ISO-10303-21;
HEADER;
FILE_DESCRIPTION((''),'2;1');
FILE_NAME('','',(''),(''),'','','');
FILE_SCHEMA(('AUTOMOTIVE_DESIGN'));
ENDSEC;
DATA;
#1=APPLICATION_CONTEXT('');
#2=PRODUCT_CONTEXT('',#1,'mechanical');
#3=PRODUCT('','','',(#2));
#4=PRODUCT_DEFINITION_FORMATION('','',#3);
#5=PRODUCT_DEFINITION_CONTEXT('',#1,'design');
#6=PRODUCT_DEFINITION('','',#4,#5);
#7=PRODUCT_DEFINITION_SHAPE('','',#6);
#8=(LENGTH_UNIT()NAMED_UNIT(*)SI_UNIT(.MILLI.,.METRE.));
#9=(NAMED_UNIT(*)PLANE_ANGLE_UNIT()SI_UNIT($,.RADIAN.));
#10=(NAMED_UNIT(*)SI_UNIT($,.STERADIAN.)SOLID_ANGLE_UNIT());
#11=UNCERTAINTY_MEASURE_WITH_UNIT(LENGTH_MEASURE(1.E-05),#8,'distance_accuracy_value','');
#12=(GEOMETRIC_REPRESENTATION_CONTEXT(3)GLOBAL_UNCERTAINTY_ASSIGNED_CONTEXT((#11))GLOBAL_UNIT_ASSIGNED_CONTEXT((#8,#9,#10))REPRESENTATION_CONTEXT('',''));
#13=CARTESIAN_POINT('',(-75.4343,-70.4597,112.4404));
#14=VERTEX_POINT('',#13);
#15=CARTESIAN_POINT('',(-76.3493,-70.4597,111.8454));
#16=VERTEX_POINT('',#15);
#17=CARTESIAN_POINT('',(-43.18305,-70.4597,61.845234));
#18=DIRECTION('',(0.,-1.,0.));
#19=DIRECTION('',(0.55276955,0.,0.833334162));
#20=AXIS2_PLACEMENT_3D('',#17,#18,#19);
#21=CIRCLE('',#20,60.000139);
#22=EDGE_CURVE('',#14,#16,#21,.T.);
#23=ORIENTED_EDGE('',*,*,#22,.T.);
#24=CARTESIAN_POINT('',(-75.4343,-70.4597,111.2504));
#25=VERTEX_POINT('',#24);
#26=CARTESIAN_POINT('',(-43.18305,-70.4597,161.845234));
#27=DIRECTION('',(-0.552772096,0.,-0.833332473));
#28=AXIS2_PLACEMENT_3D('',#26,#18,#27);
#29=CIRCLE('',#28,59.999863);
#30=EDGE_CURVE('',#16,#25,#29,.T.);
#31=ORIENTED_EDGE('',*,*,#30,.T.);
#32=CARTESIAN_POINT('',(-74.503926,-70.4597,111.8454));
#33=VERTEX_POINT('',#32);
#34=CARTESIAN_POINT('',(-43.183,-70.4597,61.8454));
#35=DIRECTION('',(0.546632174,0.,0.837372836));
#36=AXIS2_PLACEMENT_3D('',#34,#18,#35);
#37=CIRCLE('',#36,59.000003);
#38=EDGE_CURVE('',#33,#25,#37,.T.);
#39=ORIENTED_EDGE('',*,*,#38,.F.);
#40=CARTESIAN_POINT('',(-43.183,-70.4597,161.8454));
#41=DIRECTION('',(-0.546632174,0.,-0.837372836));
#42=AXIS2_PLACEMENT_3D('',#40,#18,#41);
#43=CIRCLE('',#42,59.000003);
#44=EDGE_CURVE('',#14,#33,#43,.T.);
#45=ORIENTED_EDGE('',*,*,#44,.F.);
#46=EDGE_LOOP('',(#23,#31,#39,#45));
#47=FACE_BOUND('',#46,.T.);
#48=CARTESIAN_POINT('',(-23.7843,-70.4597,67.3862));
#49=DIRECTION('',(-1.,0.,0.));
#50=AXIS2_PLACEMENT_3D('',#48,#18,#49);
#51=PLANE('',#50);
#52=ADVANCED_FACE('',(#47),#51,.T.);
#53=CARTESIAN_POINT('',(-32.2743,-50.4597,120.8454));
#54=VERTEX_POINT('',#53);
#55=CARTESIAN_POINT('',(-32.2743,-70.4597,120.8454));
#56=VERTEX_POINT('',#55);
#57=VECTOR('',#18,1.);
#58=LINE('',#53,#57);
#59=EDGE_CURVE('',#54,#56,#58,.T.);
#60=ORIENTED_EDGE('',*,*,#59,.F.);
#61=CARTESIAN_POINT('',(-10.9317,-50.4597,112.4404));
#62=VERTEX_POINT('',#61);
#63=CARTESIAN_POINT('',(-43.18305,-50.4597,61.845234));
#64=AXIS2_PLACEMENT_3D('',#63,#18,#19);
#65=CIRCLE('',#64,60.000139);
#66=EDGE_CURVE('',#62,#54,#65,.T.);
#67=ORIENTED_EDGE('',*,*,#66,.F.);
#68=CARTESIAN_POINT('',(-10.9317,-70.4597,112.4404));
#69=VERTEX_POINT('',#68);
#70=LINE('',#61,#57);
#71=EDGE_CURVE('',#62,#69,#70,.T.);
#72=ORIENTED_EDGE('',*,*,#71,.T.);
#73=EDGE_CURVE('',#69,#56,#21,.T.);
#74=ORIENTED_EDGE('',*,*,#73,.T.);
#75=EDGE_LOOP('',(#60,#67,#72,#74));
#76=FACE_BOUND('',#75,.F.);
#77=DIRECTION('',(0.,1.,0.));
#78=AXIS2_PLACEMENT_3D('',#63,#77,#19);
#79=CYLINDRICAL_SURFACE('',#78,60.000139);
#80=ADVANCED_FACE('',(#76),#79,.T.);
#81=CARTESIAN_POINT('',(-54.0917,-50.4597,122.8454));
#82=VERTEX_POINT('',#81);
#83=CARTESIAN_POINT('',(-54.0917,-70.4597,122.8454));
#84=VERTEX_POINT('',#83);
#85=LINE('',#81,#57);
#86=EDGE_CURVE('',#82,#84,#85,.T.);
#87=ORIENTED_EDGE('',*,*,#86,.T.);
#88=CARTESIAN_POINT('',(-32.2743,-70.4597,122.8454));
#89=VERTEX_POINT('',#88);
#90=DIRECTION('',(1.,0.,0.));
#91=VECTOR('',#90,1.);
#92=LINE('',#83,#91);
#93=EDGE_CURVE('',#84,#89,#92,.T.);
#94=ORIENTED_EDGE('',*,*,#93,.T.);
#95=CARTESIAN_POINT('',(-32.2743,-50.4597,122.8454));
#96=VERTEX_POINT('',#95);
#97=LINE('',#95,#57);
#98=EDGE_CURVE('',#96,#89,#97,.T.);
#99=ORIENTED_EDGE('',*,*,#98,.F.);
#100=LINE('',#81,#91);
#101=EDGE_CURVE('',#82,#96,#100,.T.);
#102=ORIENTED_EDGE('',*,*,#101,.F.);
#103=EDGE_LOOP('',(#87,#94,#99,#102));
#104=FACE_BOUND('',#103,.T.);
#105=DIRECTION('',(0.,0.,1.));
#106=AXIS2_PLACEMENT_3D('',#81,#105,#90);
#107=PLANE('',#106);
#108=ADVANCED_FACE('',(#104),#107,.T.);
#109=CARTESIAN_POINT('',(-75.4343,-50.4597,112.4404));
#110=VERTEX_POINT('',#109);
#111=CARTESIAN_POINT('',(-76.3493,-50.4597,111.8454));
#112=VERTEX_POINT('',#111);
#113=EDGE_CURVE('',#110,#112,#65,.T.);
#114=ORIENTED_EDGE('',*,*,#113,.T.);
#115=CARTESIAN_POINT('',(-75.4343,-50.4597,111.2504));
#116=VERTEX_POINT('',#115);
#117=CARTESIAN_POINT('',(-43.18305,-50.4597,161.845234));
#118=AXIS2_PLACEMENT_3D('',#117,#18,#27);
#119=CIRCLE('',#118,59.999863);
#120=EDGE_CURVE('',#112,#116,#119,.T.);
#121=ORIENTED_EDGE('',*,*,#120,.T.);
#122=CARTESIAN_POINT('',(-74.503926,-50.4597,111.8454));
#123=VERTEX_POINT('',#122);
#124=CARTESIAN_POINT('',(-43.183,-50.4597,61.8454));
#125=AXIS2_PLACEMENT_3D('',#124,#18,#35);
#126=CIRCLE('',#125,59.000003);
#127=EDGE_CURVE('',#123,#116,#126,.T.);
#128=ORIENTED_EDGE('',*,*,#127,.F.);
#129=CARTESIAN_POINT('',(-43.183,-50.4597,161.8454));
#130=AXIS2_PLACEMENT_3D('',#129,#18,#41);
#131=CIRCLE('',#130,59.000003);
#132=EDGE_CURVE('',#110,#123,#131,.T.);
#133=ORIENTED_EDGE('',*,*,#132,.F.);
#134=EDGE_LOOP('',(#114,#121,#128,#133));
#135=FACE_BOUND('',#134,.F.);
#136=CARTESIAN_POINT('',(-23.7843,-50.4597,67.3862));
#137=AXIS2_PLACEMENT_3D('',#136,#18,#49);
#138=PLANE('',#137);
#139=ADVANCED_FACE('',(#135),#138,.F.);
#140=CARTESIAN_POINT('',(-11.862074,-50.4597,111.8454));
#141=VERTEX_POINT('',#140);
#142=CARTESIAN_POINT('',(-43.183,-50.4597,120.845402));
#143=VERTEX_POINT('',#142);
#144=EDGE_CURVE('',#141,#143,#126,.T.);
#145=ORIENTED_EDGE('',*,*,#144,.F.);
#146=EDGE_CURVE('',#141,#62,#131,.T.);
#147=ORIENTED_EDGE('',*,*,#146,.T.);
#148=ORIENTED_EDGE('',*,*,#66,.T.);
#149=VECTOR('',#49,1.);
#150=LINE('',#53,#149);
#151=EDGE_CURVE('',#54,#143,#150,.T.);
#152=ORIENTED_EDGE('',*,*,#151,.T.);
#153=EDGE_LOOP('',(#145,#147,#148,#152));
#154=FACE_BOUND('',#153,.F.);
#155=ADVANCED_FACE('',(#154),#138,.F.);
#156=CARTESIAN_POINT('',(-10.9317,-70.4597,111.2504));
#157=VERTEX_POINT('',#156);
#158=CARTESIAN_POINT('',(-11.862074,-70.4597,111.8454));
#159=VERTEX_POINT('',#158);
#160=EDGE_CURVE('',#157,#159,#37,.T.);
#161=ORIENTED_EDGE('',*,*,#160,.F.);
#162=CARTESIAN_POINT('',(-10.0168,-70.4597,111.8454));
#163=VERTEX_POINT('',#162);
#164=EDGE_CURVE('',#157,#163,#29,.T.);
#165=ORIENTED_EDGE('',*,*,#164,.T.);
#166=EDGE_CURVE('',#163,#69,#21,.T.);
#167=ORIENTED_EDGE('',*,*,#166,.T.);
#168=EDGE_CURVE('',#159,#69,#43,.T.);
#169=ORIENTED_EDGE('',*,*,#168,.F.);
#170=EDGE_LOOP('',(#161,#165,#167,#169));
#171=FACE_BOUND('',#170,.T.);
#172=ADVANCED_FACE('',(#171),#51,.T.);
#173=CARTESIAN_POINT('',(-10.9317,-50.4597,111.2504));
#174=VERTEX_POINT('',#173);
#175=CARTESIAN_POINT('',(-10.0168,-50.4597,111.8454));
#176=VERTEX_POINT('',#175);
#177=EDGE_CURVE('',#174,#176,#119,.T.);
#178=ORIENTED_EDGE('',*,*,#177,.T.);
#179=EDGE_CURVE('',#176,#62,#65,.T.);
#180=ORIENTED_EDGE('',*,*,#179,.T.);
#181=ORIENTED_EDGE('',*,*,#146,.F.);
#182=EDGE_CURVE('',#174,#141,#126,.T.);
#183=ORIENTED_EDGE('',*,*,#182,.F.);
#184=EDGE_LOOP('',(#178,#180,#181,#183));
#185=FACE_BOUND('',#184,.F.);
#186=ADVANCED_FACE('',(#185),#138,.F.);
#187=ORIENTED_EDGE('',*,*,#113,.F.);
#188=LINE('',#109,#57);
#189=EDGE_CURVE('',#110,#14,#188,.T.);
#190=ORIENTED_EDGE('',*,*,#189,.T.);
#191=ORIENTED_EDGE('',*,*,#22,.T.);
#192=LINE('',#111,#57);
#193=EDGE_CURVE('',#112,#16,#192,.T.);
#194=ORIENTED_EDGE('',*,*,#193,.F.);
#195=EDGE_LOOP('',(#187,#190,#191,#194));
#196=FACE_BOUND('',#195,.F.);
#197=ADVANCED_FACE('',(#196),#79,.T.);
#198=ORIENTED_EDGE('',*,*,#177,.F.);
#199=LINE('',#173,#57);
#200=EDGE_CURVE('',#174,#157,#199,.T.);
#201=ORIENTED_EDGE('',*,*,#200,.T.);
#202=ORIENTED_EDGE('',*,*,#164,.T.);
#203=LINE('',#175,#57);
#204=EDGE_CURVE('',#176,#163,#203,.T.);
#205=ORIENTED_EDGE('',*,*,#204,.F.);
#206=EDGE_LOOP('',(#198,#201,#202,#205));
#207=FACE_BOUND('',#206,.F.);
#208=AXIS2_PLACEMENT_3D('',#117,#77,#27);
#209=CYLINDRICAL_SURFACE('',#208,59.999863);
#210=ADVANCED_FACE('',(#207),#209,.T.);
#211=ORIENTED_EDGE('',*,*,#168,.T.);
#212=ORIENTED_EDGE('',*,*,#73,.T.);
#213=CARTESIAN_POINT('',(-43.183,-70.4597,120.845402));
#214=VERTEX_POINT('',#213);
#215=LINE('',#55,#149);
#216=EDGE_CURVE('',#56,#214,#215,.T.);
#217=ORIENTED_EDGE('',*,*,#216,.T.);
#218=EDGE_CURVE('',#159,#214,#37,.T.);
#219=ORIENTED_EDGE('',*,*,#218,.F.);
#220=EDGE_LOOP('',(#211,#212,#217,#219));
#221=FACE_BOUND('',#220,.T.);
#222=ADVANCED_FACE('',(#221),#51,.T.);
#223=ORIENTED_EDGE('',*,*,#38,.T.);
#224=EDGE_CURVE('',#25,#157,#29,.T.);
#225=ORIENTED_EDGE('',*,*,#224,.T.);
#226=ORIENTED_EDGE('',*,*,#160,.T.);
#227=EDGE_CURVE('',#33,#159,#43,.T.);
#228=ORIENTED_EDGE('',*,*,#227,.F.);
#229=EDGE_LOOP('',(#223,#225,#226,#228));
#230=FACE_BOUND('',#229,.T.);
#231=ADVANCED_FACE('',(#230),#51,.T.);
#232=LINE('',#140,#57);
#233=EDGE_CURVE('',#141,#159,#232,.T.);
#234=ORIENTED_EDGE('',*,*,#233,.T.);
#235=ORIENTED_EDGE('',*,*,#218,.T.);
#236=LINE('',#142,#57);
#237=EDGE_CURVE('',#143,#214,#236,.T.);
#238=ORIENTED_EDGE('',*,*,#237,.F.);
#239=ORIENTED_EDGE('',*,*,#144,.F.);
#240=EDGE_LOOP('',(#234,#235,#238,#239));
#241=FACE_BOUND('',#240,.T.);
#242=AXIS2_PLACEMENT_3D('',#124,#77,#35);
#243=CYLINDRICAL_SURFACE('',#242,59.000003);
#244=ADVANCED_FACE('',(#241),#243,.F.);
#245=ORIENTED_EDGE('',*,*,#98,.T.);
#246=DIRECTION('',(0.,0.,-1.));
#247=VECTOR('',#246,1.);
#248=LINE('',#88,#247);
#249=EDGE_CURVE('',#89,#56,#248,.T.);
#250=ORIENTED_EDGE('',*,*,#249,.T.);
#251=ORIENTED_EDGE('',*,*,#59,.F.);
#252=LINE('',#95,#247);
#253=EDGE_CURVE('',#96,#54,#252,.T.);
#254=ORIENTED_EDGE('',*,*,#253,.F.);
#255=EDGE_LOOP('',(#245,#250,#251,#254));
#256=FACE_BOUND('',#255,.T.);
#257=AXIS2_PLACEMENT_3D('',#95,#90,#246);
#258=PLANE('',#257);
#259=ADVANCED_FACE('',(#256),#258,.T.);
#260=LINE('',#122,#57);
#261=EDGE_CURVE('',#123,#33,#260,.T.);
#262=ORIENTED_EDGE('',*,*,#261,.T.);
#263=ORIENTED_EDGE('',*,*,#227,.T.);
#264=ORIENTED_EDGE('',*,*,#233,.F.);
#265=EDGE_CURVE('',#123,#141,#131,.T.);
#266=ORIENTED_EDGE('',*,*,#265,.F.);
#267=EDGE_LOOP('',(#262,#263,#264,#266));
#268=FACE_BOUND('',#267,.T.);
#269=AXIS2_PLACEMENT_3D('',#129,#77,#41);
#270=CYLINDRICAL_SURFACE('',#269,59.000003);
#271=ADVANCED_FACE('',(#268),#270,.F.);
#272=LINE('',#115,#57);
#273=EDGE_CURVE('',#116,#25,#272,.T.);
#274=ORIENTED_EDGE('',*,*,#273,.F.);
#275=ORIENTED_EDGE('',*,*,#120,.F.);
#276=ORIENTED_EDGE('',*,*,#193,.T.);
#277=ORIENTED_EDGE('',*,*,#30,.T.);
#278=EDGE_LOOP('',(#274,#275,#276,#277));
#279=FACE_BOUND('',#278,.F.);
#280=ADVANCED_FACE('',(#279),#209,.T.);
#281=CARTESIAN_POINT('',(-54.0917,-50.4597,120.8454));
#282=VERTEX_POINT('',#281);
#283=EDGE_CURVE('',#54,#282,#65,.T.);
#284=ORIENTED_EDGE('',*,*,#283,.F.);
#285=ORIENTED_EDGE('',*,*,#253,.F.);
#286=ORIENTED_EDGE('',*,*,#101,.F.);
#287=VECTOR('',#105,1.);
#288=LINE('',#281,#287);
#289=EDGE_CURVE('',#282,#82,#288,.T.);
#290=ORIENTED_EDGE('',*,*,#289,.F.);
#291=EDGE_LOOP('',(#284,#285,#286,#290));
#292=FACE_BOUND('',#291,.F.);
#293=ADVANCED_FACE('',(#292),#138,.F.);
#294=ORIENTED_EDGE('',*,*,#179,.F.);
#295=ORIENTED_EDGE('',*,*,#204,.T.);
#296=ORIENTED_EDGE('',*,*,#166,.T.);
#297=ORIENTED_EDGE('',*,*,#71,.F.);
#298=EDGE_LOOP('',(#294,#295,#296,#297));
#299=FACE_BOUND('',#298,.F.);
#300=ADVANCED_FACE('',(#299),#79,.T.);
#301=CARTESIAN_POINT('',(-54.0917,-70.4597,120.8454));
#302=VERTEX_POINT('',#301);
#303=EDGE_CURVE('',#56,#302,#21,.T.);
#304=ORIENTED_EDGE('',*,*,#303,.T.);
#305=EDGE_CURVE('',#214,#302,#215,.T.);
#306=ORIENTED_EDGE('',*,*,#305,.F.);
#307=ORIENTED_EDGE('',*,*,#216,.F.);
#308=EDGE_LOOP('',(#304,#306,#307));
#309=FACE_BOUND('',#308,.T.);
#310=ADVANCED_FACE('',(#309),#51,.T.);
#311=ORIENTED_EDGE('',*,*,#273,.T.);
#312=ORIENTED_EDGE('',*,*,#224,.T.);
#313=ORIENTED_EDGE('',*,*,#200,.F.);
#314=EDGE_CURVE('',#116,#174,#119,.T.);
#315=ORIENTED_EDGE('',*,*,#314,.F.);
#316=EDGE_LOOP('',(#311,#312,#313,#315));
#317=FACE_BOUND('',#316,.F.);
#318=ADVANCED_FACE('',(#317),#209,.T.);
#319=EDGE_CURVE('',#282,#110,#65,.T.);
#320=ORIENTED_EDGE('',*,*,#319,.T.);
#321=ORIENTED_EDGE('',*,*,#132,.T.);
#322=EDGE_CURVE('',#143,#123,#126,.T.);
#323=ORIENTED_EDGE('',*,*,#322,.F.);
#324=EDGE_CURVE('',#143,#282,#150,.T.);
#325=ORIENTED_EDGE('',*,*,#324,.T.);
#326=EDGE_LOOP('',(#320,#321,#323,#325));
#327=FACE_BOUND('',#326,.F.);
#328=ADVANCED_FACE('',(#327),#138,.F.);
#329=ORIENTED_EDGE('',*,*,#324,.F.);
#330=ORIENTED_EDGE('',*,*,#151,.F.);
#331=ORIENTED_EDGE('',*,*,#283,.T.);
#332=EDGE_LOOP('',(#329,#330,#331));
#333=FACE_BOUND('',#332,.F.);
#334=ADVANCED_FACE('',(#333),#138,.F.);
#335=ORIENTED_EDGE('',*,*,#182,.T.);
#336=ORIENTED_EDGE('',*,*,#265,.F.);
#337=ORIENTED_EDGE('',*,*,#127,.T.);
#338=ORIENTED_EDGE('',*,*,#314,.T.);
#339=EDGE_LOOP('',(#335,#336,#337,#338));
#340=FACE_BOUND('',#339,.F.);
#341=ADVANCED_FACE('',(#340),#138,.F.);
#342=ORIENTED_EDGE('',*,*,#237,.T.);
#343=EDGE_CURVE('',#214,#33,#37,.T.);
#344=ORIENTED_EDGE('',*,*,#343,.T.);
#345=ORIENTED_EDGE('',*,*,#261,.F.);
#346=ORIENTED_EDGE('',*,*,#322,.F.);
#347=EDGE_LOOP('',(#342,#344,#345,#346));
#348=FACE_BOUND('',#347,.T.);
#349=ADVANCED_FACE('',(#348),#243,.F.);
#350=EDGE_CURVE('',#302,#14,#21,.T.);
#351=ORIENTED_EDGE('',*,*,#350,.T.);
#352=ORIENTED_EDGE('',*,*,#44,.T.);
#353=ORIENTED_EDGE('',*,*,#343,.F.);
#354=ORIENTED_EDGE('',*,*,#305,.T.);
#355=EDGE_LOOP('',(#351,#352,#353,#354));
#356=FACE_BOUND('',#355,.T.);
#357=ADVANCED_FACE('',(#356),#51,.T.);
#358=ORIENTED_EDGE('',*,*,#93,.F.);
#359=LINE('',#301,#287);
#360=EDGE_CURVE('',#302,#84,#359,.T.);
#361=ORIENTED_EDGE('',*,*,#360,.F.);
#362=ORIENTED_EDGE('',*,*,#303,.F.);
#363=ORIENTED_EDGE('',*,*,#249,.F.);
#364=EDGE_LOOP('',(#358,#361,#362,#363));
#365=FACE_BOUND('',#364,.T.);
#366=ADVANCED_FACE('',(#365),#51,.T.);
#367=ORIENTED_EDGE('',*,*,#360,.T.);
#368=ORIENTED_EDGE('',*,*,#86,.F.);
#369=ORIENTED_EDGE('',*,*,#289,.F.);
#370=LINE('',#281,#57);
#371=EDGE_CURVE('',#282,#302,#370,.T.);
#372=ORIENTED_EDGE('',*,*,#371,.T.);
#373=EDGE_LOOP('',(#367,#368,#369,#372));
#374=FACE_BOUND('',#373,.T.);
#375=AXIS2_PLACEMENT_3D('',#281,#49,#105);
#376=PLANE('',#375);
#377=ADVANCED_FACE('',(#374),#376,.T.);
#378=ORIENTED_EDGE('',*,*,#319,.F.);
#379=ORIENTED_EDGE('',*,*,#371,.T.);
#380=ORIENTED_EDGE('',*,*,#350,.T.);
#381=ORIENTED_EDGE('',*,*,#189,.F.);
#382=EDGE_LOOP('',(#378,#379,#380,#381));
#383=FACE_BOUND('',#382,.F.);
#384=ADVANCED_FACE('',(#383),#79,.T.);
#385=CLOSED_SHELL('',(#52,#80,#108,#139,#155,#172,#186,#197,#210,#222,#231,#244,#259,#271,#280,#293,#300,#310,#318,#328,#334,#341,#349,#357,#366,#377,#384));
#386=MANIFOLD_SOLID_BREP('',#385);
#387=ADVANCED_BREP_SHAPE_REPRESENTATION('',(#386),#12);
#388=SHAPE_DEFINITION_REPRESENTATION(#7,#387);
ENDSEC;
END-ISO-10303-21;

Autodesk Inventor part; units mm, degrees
ref_plane "YZ Plane" through (0, 0, 0) normal (1, 0, 0) x (0, 1, 0)
ref_plane "XZ Plane" through (0, 0, 0) normal (0, 1, 0) x (-1, 0, 0)
ref_plane "XY Plane" through (0, 0, 0) normal (0, 0, 1) x (1, 0, 0)
ref_plane "Arbeitsebene1" through (-23.7843, -50.4597, 67.3862) normal (0, -1, 0) x (-1, 0, 0)
sketch "Skizze1" plane through (-23.7843, -50.4597, 67.3862) normal (0, -1, 0) x (-1, 0, 0)
  arc A0 (-13.7675, -44.4592) -> (52.565, -44.4592) centre (19.3987, 5.5408) ccw
  arc A1 (52.565, -44.4592) -> (-13.7675, -44.4592) centre (19.3987, -94.4592) ccw
  arc A2 (-12.8526, -43.8642) -> (51.65, -43.8642) centre (19.3987, 5.5408) ccw
  arc A3 (51.65, -45.0542) -> (-12.8526, -45.0542) centre (19.3987, -94.4592) ccw
  line L0 (30.3074, -55.4592) -> (8.49, -55.4592)
  line L1 (8.49, -55.4592) -> (8.49, -53.4592)
  line L2 (8.49, -53.4592) -> (30.3074, -53.4592)
  line L3 (30.3074, -53.4592) -> (30.3074, -55.4592)
  line L4 (30.3074, -55.4592) -> (8.49, -53.4592) construction
  line L5 (8.49, -55.4592) -> (30.3074, -53.4592) construction
  point P0 (-23.7843, 67.3862)
  point P1 (50.7196, -44.4592)
  point P2 (-11.9222, -44.4592)
  point P3 (19.3987, -54.4592)
  dimension "d0" = 120
  dimension "d1" = 120
  dimension "d2" = 100
  dimension "d3" = 0
  dimension "d4" = 1
  dimension "d5" = 1
extrude "Extrusion1" add sketch "Skizze1" along normal blind 20 contours A1 A2 A3 A0 | A3 A2 L2 A0 | A1 A2 A3 | L2 A0 | A0 L3 L0 L1 | A1 A0 A3 A2 | L2 A2 A3 A0
properties part number "07_Feder"
